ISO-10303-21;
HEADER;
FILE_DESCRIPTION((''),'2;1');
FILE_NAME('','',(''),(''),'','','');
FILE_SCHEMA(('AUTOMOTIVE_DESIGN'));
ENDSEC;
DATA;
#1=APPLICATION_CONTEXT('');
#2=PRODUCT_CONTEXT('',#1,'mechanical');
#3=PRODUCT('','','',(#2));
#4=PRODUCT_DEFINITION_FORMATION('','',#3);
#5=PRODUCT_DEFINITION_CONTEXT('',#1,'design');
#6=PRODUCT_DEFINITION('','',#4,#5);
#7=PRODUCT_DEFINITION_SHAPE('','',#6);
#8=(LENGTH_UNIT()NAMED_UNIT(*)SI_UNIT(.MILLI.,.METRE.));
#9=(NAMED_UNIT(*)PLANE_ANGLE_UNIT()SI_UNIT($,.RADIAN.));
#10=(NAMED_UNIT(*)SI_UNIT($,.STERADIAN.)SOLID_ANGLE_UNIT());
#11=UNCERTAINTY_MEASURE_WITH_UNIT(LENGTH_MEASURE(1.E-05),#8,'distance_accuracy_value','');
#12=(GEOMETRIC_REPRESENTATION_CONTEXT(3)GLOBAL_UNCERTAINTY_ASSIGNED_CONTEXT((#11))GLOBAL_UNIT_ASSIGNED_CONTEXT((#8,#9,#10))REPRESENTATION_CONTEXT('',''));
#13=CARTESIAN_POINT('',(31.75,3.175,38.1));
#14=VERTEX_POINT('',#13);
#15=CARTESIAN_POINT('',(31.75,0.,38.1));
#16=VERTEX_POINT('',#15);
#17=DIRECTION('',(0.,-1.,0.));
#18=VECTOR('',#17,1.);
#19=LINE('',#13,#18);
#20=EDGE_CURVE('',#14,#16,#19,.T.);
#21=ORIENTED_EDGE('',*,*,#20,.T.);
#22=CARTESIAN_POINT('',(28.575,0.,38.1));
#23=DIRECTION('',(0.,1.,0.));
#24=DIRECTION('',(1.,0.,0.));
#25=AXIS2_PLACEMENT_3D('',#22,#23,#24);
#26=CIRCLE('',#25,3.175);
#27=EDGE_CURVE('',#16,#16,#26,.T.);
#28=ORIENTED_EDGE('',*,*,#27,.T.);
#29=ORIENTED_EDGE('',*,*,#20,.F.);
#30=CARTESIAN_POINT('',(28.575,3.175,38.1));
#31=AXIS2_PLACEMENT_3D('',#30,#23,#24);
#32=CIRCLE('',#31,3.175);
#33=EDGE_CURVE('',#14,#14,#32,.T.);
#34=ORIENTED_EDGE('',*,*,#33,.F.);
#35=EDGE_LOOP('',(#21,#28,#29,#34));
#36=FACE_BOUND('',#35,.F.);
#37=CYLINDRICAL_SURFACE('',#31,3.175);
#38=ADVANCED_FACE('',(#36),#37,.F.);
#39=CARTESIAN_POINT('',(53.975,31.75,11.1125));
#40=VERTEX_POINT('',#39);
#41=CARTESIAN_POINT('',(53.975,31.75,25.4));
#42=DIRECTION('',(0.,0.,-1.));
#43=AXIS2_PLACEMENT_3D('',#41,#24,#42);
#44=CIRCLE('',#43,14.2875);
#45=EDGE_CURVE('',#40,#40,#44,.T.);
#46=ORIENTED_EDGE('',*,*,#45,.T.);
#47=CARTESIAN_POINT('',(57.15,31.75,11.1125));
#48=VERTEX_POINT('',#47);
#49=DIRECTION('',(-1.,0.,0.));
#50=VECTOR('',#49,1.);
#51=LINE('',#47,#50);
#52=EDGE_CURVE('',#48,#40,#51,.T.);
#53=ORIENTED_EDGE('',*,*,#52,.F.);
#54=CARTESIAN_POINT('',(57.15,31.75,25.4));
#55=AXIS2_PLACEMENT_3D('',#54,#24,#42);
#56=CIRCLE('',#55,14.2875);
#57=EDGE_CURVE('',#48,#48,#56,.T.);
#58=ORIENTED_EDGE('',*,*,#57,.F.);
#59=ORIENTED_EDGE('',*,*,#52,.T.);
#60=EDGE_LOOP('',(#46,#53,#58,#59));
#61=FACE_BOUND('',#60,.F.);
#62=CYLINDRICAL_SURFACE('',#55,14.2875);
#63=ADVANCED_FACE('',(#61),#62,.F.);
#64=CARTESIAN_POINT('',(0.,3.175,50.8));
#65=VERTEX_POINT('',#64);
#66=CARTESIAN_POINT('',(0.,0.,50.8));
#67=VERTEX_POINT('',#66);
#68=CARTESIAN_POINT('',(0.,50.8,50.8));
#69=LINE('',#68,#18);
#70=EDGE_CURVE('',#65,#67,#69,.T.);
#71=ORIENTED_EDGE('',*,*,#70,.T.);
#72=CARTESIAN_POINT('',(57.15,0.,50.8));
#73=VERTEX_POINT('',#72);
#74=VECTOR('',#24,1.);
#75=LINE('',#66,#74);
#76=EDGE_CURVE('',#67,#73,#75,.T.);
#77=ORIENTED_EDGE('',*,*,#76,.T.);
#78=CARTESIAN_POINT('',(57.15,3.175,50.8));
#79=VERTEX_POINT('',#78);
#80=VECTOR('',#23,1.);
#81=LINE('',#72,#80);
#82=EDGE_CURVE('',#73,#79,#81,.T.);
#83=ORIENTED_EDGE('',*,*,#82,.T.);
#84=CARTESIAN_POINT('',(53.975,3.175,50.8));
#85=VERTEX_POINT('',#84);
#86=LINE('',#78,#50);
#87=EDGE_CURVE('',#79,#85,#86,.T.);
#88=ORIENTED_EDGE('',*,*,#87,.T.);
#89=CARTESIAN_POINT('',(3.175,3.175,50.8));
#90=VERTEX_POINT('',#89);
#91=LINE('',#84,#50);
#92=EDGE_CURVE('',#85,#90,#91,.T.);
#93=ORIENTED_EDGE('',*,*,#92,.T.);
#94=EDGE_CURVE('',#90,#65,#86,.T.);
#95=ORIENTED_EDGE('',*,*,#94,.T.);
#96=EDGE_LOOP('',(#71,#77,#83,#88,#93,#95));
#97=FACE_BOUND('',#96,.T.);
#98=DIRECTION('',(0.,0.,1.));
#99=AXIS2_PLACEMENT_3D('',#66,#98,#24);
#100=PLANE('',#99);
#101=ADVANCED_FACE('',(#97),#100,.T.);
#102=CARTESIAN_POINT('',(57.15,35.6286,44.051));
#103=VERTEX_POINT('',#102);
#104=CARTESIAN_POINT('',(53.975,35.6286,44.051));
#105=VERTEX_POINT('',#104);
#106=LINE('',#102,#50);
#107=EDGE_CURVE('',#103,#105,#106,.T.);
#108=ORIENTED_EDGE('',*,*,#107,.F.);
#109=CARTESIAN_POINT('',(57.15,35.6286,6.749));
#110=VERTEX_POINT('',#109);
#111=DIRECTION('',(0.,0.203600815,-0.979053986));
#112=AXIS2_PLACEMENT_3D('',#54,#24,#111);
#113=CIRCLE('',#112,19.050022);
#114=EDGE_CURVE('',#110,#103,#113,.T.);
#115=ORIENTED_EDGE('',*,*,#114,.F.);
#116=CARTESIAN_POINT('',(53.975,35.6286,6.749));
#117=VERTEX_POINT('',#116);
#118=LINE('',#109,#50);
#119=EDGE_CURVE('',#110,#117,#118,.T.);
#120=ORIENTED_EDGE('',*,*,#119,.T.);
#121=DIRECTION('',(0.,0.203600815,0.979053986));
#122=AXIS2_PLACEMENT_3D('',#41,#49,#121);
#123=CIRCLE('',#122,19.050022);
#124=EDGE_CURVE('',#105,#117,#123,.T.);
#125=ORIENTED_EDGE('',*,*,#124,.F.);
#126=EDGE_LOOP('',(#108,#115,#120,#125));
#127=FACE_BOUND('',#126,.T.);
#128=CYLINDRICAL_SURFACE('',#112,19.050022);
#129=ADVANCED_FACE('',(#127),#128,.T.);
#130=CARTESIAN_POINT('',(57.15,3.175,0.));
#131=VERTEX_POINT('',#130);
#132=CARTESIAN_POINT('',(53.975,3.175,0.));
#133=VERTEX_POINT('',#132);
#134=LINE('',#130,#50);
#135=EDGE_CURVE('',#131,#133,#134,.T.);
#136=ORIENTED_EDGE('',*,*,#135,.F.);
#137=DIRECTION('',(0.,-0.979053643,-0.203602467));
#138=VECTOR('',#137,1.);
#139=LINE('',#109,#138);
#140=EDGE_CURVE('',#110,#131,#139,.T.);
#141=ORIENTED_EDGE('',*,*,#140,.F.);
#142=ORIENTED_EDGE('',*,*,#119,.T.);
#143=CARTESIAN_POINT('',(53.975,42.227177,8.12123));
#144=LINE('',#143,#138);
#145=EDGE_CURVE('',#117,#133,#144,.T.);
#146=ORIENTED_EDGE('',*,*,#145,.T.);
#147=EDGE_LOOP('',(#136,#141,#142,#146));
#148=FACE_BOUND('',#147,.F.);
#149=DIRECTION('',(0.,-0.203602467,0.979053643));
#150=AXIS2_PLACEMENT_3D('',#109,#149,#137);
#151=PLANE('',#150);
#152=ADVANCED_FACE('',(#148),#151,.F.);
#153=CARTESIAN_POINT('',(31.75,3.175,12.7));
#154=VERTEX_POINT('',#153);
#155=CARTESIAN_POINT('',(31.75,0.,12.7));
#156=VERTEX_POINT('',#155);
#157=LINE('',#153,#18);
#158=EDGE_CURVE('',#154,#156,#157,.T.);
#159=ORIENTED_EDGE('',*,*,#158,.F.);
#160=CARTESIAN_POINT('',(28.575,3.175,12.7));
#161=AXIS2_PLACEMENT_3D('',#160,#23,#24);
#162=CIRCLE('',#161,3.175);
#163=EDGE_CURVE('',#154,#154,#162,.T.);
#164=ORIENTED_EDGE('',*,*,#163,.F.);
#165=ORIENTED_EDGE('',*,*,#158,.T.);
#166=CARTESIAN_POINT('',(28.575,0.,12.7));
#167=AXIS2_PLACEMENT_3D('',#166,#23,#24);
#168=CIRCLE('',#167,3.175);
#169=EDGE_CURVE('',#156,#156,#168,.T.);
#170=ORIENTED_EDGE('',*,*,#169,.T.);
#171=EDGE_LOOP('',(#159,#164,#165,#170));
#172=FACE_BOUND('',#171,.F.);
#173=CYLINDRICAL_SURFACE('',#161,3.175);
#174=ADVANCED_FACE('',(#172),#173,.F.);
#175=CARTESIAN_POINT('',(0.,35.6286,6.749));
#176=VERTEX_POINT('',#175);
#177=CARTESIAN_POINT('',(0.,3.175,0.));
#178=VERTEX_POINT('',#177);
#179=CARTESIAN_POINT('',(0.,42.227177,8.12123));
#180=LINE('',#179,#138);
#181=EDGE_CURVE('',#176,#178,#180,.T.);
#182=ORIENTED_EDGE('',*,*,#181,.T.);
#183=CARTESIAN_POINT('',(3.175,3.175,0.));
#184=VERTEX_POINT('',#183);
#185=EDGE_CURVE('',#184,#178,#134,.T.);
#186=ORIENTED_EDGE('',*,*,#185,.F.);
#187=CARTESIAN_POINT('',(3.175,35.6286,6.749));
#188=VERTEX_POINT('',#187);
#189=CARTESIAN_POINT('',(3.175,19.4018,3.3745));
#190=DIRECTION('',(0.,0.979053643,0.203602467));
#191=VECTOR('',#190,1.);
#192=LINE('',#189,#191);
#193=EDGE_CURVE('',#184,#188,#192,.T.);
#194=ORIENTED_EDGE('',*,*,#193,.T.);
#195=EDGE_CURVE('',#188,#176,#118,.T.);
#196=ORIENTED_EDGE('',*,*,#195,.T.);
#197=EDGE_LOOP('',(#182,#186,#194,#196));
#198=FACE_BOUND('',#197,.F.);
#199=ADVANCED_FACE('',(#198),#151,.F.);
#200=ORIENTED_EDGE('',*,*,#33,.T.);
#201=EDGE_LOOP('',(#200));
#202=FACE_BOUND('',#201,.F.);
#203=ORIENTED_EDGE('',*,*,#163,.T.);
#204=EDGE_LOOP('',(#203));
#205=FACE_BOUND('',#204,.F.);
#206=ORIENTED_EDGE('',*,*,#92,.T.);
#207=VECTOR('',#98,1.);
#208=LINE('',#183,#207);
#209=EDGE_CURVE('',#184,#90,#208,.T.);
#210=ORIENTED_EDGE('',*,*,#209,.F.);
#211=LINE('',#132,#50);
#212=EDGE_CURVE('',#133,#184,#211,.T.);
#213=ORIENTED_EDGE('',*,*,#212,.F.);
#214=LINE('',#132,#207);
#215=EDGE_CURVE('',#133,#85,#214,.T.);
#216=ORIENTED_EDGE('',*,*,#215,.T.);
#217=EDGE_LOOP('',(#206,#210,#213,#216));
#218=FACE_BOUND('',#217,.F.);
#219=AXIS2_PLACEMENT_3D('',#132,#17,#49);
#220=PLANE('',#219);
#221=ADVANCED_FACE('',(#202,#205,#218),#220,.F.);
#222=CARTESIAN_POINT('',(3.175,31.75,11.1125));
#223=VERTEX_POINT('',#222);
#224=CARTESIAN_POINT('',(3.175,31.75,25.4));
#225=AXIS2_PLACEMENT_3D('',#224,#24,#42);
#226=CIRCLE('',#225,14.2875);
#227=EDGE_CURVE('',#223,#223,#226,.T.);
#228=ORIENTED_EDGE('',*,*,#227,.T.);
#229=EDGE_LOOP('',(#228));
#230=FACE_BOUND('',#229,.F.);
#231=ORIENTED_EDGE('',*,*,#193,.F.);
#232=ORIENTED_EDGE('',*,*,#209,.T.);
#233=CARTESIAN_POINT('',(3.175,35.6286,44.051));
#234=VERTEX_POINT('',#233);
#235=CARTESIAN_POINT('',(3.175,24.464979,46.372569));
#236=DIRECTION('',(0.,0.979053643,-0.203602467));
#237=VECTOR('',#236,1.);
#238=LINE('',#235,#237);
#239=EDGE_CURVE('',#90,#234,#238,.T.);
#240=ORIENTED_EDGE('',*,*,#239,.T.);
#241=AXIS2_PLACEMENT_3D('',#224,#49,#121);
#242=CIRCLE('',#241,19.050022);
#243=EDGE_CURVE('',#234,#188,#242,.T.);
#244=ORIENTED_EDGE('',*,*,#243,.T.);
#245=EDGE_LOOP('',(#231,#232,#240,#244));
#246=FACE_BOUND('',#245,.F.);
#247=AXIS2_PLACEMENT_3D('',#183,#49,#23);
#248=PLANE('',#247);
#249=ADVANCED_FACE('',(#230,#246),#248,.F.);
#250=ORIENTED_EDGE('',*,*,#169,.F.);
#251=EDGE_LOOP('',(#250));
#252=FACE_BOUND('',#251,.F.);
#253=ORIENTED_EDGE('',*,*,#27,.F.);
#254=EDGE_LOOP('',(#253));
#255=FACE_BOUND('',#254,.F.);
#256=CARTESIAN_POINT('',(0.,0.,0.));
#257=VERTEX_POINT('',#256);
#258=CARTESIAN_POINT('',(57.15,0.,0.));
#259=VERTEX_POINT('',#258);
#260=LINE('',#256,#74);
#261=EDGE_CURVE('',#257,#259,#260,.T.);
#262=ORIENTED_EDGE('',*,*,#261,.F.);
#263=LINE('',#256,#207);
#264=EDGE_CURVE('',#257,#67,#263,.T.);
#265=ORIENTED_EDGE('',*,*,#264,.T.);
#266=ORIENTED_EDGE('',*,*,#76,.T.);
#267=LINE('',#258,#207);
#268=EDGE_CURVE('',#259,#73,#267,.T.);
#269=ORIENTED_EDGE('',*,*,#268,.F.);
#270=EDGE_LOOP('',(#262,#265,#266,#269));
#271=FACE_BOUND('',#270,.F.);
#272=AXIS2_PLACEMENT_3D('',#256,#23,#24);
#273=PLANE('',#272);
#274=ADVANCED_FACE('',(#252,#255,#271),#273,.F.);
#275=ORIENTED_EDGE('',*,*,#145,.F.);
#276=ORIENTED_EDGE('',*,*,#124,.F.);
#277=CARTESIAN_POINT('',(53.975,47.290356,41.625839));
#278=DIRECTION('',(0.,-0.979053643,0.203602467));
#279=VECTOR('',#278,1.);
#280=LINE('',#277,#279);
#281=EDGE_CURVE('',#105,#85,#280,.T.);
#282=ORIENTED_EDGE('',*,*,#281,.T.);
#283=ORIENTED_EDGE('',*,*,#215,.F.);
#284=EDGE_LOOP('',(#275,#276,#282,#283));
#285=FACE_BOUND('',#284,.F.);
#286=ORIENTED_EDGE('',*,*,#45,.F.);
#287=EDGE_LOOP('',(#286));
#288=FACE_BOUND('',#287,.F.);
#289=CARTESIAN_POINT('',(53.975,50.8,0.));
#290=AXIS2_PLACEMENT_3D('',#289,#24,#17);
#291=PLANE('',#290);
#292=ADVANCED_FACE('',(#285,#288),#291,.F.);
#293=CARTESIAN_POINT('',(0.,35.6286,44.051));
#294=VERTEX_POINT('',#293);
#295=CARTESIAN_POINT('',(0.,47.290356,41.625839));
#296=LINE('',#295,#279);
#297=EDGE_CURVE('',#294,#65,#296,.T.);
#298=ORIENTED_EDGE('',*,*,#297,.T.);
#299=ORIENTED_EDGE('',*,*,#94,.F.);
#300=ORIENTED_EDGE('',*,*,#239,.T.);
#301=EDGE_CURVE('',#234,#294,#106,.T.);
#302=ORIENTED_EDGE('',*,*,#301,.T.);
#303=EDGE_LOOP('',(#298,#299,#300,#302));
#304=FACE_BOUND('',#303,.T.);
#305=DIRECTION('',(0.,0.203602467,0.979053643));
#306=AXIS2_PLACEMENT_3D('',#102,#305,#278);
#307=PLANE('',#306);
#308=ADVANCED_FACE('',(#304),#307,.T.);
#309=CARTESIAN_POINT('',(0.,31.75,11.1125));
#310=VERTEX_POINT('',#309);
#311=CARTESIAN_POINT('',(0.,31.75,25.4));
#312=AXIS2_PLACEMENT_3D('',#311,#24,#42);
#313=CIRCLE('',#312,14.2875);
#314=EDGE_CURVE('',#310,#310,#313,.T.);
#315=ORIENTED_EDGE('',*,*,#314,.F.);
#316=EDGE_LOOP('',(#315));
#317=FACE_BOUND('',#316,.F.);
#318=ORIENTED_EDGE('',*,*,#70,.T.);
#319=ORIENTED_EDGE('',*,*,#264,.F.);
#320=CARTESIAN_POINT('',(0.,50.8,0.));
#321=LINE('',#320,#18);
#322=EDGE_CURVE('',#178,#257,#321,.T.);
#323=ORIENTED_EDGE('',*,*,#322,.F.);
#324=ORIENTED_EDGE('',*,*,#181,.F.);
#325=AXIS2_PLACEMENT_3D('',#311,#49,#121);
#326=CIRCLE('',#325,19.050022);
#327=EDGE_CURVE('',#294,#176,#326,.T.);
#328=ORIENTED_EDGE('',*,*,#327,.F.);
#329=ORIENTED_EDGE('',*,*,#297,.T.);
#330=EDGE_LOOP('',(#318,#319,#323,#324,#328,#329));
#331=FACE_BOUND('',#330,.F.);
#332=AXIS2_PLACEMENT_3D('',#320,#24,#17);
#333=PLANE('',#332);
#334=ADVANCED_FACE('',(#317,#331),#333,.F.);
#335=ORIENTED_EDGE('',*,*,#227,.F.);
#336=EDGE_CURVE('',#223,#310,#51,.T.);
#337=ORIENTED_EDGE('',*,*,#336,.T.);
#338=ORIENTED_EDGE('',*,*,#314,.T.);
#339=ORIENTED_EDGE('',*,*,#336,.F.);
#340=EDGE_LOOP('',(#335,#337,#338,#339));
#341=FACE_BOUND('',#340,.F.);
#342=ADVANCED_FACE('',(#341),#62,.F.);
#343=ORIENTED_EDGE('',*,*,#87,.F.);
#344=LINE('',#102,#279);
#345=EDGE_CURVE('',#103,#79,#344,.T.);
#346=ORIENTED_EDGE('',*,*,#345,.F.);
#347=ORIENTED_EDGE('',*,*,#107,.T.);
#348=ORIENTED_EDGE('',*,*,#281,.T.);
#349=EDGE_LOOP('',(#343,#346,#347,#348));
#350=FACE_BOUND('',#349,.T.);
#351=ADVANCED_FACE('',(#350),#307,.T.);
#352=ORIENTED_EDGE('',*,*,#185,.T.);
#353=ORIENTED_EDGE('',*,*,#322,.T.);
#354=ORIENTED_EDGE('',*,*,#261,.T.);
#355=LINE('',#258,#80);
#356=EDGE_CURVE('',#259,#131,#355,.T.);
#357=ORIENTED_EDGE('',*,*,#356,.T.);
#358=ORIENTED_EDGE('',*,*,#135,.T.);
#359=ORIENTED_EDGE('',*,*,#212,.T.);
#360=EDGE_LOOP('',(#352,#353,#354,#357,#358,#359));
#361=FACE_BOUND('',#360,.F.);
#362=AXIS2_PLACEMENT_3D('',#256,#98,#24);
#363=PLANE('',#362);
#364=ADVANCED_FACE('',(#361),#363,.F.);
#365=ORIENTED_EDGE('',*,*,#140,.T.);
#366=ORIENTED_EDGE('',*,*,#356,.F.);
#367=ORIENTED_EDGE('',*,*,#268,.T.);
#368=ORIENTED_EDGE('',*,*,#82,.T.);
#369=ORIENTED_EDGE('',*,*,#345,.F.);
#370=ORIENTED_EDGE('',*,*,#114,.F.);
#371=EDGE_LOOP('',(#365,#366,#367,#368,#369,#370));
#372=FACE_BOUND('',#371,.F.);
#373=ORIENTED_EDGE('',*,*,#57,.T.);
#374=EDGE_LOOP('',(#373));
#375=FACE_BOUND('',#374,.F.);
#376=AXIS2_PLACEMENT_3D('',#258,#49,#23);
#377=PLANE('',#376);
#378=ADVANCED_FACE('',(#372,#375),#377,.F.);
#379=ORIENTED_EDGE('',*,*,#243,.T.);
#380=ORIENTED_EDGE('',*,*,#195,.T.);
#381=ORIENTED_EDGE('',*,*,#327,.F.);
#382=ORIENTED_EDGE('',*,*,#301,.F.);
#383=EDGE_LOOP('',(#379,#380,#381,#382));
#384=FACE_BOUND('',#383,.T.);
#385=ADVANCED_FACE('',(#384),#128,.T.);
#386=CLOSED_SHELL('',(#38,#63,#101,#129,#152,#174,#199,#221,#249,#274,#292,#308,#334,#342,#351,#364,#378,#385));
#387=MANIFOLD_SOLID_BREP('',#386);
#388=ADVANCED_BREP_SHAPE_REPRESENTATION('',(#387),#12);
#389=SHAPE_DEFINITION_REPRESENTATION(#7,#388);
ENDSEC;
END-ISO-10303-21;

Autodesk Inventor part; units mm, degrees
ref_plane "YZ Plane" through (0, 0, 0) normal (1, 0, 0) x (0, 1, 0)
ref_plane "XZ Plane" through (0, 0, 0) normal (0, 1, 0) x (-1, 0, 0)
ref_plane "XY Plane" through (0, 0, 0) normal (0, 0, 1) x (1, 0, 0)
sketch "Sketch1" plane through (0, 0, 0) normal (0, 0, 1) x (1, 0, 0)
  line L0 (0, 0) -> (57.15, 0)
  line L1 (57.15, 0) -> (57.15, 50.8)
  line L2 (0, 50.8) -> (0, 0)
  line L3 (53.975, 50.8) -> (53.975, 3.175)
  line L4 (53.975, 3.175) -> (3.175, 3.175)
  line L5 (3.175, 3.175) -> (3.175, 50.8)
  line L6 (0, 50.8) -> (3.175, 50.8)
  line L7 (53.975, 50.8) -> (57.15, 50.8)
  dimension "d0" = 50.8
  dimension "d1" = 57.15
  dimension "d2" = 3.175
  dimension "d3" = 3.175
  dimension "d4" = 3.175
extrude "Extrusion1" add sketch "Sketch1" along normal blind 50.8
sketch "Sketch2" plane through (57.15, 0, 0) normal (1, 0, 0) x (0, 0, -1)
  line L0 (-50.8, 50.8) -> (-50.8, 0) projected
  line L1 (0, 0) -> (0, 50.8) projected
  line L2 (0, 50.8) -> (-50.8, 50.8) projected
  line L3 (0, 3.175) -> (-50.8, 3.175) projected
  circle A0 centre (-25.4, 31.75) radius 14.2875
  arc A1 (-6.749, 35.6286) -> (-44.051, 35.6286) centre (-25.4, 31.75) ccw
  line L4 (-44.051, 35.6286) -> (-50.8, 3.175)
  line L5 (-6.749, 35.6286) -> (0, 3.175)
  dimension "d7" = 28.575
  dimension "d8" = 25.4
  dimension "d9" = 19.05
extrude "Extrusion2" cut sketch "Sketch2" against normal through all contours L2 A1 L4 L0 | L2 L1 L5 A1 | A0
sketch "Sketch3" plane through (3.175, 3.175, 50.8) normal (0, 1, 0) x (1, 0, 0)
  line L0 (0, 0) -> (50.8, 0) projected
  line L1 (50.8, 50.8) -> (50.8, 0) projected
  line L2 (50.8, 50.8) -> (0, 50.8) projected
  circle A0 centre (25.4, 38.1) radius 3.175
  circle A1 centre (25.4, 12.7) radius 3.175
  line L3 (0, 50.8) -> (0, 0) projected
  point P0 (-3.175, 50.8)
  dimension "d12" = 6.35
  dimension "d13" = 6.35
  dimension "d14" = 12.7
  dimension "d15" = 25.4
  dimension "d16" = 12.7
  dimension "d17" = 25.4
  dimension "d20" = 50.8
extrude "Extrusion3" cut sketch "Sketch3" against normal blind 50.8 contours A0 | A1
equation "\"d3\" = d2"
equation "\"d4\" = d2"
equation "\"d12\" = d13"
equation "\"d15\" = 0.5 * d20"
equation "\"d16\" = d14"
equation "\"d17\" = d15"
properties part number "shooter bearing bracket"
